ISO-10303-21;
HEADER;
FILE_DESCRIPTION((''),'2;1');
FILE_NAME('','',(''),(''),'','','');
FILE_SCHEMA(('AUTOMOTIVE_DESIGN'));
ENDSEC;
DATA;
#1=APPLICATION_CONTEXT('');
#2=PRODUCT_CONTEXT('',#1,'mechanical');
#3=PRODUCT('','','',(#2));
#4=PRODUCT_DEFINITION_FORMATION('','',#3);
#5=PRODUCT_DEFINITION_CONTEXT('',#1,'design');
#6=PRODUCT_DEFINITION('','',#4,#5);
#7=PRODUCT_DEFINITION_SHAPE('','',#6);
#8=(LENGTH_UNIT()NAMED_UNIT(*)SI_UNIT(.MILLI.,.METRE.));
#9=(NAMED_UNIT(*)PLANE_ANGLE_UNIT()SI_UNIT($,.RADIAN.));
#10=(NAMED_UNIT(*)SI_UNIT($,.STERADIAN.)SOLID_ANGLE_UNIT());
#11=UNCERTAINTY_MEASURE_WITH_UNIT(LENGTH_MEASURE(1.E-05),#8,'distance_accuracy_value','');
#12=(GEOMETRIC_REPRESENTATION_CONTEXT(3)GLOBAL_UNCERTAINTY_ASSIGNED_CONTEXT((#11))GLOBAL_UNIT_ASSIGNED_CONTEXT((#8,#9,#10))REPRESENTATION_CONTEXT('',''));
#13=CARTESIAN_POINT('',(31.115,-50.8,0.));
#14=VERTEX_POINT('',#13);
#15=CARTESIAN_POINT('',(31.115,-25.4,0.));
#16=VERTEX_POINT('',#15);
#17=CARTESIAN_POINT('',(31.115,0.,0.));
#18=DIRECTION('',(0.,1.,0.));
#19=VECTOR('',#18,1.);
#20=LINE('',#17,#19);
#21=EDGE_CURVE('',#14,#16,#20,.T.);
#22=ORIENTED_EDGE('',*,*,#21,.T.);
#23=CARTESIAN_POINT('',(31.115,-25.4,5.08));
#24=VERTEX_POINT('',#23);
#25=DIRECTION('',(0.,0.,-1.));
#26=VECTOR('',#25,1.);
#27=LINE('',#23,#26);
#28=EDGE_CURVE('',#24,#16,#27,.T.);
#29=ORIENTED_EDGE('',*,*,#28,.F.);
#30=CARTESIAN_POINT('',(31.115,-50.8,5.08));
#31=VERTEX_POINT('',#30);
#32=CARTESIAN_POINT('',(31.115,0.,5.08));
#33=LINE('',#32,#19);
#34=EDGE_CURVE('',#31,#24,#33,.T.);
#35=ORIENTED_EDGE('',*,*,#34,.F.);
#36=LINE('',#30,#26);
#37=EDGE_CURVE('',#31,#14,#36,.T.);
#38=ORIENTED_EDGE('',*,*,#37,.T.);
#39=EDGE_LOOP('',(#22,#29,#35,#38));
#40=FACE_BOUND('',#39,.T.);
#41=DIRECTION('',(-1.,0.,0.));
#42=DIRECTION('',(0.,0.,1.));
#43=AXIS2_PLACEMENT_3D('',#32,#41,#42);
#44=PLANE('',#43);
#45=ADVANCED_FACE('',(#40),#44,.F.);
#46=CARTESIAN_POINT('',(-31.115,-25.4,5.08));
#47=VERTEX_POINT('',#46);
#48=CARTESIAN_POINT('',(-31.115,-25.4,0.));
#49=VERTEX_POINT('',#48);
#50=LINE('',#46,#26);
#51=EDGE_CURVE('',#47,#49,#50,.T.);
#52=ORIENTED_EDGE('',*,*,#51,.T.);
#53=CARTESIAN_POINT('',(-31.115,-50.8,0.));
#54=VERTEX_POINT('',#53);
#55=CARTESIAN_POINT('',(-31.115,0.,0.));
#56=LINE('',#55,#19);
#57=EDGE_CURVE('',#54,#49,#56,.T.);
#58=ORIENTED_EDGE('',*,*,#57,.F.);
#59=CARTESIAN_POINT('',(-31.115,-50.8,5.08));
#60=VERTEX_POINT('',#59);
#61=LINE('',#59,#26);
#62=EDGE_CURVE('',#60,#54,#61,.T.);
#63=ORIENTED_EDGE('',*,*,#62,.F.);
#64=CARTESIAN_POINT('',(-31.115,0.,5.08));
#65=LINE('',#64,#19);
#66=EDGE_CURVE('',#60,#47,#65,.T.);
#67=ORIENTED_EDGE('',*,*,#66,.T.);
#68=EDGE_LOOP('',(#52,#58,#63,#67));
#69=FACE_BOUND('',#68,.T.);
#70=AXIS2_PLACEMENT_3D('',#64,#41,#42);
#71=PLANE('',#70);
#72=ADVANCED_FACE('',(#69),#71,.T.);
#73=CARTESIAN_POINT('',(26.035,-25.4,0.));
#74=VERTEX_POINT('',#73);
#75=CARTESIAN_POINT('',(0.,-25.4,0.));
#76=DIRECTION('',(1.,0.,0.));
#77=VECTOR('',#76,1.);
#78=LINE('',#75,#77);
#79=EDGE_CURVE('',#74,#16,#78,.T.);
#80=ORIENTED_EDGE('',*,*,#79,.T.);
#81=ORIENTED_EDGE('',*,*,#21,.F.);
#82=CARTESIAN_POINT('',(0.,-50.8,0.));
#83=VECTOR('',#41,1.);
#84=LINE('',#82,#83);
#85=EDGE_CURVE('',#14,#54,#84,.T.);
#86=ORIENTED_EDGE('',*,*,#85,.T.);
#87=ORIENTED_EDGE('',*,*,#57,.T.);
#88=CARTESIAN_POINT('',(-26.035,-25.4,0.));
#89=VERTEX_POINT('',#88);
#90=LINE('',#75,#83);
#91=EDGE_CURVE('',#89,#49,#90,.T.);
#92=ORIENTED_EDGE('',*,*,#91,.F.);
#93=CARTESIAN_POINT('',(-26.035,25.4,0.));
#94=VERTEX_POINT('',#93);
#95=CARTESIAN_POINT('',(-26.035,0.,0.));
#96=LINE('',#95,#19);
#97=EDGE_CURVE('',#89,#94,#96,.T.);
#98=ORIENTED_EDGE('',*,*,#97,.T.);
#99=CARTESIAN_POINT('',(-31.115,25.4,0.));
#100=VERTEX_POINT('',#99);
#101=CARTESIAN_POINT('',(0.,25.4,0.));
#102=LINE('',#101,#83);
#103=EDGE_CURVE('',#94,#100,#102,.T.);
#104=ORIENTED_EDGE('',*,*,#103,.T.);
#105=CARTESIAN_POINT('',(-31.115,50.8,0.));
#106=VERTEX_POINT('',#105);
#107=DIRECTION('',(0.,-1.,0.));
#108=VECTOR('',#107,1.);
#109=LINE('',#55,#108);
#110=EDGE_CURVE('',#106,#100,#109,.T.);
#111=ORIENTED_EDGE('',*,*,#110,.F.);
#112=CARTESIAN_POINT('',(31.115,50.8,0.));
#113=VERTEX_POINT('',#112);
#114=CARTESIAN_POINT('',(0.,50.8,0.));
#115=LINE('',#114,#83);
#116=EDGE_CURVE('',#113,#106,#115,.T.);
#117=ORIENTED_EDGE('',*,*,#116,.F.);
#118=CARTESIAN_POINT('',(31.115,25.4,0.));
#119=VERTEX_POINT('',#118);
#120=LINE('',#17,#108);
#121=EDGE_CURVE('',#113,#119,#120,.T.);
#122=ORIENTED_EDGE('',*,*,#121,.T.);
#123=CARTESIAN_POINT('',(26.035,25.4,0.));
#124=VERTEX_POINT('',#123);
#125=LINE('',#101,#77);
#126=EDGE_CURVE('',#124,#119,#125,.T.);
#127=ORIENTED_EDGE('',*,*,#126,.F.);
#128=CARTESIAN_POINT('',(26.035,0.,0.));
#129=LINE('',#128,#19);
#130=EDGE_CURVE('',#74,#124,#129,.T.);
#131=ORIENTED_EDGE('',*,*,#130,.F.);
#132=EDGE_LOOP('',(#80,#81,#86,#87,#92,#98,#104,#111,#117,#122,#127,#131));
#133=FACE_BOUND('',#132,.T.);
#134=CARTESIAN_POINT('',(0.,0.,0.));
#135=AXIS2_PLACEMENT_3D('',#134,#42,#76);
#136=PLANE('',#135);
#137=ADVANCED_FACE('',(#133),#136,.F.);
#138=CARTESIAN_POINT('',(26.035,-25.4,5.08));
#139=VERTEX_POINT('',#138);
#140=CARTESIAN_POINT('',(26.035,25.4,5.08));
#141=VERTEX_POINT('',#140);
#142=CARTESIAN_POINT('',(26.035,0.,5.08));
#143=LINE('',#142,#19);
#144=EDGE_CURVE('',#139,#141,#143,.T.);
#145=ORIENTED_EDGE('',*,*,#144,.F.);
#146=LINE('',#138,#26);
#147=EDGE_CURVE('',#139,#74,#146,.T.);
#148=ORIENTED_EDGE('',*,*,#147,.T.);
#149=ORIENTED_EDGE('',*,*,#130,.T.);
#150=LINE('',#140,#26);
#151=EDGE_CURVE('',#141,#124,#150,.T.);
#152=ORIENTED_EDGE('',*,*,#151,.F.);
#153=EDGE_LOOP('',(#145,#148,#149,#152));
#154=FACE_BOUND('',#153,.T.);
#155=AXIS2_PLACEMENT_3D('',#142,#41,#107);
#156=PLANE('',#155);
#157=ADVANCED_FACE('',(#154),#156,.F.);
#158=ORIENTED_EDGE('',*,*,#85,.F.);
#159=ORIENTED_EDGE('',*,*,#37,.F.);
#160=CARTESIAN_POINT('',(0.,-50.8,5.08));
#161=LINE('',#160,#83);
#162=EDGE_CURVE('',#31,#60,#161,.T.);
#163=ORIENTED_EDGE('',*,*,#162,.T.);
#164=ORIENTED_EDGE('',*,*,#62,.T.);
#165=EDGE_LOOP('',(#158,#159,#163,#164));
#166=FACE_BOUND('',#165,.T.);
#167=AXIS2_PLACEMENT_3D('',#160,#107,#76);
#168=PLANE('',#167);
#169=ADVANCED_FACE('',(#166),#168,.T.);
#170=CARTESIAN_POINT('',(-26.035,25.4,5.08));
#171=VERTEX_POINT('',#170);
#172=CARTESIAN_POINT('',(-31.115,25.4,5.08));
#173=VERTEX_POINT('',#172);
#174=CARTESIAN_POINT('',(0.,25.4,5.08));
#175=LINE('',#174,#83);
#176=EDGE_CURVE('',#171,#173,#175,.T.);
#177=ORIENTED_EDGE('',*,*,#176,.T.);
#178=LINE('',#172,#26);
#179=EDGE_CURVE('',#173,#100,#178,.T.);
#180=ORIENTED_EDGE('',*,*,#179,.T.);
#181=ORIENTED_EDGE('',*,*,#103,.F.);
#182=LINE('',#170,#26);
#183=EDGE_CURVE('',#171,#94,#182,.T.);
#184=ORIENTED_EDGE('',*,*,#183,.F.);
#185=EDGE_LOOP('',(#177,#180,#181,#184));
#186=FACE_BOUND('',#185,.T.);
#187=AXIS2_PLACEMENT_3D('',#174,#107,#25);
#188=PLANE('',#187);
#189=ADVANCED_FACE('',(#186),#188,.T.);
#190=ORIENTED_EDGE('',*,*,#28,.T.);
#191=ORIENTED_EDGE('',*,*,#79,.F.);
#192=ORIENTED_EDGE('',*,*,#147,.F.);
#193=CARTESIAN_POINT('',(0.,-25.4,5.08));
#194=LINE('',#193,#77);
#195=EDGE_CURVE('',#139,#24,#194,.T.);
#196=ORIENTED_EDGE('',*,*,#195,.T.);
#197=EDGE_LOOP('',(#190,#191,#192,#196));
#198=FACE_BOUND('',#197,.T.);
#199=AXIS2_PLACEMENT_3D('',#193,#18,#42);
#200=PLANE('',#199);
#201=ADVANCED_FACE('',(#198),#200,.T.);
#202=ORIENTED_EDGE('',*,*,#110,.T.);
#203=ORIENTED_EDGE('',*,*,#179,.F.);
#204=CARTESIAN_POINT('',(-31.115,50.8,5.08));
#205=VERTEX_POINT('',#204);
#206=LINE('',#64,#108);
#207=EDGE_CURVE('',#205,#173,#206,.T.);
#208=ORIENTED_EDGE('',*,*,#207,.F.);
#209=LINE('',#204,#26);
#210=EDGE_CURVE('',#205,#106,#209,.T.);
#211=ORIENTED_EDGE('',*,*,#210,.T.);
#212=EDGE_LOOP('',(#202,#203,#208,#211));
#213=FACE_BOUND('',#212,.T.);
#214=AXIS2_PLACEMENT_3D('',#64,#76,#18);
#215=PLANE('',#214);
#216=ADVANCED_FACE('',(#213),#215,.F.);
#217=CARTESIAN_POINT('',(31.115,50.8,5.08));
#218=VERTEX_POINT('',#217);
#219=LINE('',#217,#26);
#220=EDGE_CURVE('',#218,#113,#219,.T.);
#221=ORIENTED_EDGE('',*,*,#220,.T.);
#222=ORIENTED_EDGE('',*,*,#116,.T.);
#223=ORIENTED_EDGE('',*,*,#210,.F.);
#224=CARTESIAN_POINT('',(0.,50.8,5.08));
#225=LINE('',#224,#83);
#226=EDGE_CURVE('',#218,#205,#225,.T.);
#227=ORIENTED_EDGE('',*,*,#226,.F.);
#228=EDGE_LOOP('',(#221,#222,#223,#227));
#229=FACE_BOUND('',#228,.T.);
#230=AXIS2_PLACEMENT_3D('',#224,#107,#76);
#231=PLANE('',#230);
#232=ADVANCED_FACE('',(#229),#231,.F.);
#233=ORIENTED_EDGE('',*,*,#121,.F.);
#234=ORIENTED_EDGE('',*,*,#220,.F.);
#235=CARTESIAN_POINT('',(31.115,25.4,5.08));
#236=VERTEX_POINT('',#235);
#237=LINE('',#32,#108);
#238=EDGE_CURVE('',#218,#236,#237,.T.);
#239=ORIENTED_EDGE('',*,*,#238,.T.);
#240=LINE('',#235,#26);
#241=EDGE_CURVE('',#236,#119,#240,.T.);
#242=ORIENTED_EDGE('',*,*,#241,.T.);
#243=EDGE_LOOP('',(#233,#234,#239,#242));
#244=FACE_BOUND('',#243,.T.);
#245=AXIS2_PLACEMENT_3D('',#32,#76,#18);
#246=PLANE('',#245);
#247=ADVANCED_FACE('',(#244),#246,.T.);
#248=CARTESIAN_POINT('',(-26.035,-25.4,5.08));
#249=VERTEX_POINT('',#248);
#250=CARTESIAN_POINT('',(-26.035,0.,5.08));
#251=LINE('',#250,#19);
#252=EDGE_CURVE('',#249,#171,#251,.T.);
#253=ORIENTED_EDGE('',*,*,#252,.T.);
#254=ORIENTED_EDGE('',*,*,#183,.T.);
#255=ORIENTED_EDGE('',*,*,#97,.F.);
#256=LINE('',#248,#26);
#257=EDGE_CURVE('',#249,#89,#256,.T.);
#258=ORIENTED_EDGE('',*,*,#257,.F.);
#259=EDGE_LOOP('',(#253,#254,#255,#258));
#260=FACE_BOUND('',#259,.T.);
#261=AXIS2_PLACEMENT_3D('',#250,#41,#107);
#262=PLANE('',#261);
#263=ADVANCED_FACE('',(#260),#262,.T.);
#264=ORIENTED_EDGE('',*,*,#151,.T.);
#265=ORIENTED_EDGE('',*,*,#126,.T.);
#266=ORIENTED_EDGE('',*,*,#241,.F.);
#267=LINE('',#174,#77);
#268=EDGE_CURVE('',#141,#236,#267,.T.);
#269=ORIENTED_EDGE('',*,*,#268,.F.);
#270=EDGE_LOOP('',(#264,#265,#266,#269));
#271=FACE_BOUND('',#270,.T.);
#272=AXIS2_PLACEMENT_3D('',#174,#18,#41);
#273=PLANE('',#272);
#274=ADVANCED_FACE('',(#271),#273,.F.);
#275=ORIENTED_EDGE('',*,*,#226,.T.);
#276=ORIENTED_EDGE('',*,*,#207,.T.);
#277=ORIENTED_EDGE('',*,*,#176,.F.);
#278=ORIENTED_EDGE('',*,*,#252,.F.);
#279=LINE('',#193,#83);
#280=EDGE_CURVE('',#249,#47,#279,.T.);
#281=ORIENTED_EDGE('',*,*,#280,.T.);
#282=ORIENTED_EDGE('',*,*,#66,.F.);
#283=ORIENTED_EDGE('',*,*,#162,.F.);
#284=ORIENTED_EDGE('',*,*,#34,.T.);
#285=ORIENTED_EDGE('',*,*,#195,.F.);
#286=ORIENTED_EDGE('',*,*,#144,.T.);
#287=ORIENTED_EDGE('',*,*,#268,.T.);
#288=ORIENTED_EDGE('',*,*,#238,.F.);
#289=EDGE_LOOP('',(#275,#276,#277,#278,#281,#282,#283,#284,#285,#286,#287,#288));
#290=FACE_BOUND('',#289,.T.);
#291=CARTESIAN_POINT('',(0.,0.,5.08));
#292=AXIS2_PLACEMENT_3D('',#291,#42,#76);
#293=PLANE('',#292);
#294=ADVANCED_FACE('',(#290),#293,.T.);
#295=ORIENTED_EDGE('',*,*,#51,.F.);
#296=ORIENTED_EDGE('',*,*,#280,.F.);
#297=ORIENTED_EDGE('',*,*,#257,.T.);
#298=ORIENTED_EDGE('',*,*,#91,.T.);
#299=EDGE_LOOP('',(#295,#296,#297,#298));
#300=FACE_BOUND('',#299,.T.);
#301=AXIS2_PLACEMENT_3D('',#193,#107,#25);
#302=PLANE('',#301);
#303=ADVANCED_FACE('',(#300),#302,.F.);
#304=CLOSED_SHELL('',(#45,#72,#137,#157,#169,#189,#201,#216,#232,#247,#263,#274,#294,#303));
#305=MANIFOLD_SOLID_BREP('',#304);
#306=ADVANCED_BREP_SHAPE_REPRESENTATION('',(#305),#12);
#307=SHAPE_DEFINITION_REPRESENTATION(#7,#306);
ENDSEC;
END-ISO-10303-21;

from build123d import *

# Parameters (mm, degrees)
SKETCH2_W           = 52.07
SKETCH2_H           = 101.6
SKETCH2_W_2         = 5.08
SKETCH2_H_2         = 25.4
BOSS_EXTRUDE1_DEPTH = 5.08


with BuildPart() as part:
    # Sketch2 → Boss-Extrude1 (new body)
    with BuildSketch(Plane.XY):
        Rectangle(SKETCH2_W, SKETCH2_H)
        with Locations((-28.575, 38.1)):
            Rectangle(SKETCH2_W_2, SKETCH2_H_2)
        with Locations((-28.575, -38.1)):
            Rectangle(SKETCH2_W_2, SKETCH2_H_2)
        with Locations((28.575, -38.1)):
            Rectangle(SKETCH2_W_2, SKETCH2_H_2)
        with Locations((28.575, 38.1)):
            Rectangle(SKETCH2_W_2, SKETCH2_H_2)
    extrude(amount=BOSS_EXTRUDE1_DEPTH)


solid = part.part
